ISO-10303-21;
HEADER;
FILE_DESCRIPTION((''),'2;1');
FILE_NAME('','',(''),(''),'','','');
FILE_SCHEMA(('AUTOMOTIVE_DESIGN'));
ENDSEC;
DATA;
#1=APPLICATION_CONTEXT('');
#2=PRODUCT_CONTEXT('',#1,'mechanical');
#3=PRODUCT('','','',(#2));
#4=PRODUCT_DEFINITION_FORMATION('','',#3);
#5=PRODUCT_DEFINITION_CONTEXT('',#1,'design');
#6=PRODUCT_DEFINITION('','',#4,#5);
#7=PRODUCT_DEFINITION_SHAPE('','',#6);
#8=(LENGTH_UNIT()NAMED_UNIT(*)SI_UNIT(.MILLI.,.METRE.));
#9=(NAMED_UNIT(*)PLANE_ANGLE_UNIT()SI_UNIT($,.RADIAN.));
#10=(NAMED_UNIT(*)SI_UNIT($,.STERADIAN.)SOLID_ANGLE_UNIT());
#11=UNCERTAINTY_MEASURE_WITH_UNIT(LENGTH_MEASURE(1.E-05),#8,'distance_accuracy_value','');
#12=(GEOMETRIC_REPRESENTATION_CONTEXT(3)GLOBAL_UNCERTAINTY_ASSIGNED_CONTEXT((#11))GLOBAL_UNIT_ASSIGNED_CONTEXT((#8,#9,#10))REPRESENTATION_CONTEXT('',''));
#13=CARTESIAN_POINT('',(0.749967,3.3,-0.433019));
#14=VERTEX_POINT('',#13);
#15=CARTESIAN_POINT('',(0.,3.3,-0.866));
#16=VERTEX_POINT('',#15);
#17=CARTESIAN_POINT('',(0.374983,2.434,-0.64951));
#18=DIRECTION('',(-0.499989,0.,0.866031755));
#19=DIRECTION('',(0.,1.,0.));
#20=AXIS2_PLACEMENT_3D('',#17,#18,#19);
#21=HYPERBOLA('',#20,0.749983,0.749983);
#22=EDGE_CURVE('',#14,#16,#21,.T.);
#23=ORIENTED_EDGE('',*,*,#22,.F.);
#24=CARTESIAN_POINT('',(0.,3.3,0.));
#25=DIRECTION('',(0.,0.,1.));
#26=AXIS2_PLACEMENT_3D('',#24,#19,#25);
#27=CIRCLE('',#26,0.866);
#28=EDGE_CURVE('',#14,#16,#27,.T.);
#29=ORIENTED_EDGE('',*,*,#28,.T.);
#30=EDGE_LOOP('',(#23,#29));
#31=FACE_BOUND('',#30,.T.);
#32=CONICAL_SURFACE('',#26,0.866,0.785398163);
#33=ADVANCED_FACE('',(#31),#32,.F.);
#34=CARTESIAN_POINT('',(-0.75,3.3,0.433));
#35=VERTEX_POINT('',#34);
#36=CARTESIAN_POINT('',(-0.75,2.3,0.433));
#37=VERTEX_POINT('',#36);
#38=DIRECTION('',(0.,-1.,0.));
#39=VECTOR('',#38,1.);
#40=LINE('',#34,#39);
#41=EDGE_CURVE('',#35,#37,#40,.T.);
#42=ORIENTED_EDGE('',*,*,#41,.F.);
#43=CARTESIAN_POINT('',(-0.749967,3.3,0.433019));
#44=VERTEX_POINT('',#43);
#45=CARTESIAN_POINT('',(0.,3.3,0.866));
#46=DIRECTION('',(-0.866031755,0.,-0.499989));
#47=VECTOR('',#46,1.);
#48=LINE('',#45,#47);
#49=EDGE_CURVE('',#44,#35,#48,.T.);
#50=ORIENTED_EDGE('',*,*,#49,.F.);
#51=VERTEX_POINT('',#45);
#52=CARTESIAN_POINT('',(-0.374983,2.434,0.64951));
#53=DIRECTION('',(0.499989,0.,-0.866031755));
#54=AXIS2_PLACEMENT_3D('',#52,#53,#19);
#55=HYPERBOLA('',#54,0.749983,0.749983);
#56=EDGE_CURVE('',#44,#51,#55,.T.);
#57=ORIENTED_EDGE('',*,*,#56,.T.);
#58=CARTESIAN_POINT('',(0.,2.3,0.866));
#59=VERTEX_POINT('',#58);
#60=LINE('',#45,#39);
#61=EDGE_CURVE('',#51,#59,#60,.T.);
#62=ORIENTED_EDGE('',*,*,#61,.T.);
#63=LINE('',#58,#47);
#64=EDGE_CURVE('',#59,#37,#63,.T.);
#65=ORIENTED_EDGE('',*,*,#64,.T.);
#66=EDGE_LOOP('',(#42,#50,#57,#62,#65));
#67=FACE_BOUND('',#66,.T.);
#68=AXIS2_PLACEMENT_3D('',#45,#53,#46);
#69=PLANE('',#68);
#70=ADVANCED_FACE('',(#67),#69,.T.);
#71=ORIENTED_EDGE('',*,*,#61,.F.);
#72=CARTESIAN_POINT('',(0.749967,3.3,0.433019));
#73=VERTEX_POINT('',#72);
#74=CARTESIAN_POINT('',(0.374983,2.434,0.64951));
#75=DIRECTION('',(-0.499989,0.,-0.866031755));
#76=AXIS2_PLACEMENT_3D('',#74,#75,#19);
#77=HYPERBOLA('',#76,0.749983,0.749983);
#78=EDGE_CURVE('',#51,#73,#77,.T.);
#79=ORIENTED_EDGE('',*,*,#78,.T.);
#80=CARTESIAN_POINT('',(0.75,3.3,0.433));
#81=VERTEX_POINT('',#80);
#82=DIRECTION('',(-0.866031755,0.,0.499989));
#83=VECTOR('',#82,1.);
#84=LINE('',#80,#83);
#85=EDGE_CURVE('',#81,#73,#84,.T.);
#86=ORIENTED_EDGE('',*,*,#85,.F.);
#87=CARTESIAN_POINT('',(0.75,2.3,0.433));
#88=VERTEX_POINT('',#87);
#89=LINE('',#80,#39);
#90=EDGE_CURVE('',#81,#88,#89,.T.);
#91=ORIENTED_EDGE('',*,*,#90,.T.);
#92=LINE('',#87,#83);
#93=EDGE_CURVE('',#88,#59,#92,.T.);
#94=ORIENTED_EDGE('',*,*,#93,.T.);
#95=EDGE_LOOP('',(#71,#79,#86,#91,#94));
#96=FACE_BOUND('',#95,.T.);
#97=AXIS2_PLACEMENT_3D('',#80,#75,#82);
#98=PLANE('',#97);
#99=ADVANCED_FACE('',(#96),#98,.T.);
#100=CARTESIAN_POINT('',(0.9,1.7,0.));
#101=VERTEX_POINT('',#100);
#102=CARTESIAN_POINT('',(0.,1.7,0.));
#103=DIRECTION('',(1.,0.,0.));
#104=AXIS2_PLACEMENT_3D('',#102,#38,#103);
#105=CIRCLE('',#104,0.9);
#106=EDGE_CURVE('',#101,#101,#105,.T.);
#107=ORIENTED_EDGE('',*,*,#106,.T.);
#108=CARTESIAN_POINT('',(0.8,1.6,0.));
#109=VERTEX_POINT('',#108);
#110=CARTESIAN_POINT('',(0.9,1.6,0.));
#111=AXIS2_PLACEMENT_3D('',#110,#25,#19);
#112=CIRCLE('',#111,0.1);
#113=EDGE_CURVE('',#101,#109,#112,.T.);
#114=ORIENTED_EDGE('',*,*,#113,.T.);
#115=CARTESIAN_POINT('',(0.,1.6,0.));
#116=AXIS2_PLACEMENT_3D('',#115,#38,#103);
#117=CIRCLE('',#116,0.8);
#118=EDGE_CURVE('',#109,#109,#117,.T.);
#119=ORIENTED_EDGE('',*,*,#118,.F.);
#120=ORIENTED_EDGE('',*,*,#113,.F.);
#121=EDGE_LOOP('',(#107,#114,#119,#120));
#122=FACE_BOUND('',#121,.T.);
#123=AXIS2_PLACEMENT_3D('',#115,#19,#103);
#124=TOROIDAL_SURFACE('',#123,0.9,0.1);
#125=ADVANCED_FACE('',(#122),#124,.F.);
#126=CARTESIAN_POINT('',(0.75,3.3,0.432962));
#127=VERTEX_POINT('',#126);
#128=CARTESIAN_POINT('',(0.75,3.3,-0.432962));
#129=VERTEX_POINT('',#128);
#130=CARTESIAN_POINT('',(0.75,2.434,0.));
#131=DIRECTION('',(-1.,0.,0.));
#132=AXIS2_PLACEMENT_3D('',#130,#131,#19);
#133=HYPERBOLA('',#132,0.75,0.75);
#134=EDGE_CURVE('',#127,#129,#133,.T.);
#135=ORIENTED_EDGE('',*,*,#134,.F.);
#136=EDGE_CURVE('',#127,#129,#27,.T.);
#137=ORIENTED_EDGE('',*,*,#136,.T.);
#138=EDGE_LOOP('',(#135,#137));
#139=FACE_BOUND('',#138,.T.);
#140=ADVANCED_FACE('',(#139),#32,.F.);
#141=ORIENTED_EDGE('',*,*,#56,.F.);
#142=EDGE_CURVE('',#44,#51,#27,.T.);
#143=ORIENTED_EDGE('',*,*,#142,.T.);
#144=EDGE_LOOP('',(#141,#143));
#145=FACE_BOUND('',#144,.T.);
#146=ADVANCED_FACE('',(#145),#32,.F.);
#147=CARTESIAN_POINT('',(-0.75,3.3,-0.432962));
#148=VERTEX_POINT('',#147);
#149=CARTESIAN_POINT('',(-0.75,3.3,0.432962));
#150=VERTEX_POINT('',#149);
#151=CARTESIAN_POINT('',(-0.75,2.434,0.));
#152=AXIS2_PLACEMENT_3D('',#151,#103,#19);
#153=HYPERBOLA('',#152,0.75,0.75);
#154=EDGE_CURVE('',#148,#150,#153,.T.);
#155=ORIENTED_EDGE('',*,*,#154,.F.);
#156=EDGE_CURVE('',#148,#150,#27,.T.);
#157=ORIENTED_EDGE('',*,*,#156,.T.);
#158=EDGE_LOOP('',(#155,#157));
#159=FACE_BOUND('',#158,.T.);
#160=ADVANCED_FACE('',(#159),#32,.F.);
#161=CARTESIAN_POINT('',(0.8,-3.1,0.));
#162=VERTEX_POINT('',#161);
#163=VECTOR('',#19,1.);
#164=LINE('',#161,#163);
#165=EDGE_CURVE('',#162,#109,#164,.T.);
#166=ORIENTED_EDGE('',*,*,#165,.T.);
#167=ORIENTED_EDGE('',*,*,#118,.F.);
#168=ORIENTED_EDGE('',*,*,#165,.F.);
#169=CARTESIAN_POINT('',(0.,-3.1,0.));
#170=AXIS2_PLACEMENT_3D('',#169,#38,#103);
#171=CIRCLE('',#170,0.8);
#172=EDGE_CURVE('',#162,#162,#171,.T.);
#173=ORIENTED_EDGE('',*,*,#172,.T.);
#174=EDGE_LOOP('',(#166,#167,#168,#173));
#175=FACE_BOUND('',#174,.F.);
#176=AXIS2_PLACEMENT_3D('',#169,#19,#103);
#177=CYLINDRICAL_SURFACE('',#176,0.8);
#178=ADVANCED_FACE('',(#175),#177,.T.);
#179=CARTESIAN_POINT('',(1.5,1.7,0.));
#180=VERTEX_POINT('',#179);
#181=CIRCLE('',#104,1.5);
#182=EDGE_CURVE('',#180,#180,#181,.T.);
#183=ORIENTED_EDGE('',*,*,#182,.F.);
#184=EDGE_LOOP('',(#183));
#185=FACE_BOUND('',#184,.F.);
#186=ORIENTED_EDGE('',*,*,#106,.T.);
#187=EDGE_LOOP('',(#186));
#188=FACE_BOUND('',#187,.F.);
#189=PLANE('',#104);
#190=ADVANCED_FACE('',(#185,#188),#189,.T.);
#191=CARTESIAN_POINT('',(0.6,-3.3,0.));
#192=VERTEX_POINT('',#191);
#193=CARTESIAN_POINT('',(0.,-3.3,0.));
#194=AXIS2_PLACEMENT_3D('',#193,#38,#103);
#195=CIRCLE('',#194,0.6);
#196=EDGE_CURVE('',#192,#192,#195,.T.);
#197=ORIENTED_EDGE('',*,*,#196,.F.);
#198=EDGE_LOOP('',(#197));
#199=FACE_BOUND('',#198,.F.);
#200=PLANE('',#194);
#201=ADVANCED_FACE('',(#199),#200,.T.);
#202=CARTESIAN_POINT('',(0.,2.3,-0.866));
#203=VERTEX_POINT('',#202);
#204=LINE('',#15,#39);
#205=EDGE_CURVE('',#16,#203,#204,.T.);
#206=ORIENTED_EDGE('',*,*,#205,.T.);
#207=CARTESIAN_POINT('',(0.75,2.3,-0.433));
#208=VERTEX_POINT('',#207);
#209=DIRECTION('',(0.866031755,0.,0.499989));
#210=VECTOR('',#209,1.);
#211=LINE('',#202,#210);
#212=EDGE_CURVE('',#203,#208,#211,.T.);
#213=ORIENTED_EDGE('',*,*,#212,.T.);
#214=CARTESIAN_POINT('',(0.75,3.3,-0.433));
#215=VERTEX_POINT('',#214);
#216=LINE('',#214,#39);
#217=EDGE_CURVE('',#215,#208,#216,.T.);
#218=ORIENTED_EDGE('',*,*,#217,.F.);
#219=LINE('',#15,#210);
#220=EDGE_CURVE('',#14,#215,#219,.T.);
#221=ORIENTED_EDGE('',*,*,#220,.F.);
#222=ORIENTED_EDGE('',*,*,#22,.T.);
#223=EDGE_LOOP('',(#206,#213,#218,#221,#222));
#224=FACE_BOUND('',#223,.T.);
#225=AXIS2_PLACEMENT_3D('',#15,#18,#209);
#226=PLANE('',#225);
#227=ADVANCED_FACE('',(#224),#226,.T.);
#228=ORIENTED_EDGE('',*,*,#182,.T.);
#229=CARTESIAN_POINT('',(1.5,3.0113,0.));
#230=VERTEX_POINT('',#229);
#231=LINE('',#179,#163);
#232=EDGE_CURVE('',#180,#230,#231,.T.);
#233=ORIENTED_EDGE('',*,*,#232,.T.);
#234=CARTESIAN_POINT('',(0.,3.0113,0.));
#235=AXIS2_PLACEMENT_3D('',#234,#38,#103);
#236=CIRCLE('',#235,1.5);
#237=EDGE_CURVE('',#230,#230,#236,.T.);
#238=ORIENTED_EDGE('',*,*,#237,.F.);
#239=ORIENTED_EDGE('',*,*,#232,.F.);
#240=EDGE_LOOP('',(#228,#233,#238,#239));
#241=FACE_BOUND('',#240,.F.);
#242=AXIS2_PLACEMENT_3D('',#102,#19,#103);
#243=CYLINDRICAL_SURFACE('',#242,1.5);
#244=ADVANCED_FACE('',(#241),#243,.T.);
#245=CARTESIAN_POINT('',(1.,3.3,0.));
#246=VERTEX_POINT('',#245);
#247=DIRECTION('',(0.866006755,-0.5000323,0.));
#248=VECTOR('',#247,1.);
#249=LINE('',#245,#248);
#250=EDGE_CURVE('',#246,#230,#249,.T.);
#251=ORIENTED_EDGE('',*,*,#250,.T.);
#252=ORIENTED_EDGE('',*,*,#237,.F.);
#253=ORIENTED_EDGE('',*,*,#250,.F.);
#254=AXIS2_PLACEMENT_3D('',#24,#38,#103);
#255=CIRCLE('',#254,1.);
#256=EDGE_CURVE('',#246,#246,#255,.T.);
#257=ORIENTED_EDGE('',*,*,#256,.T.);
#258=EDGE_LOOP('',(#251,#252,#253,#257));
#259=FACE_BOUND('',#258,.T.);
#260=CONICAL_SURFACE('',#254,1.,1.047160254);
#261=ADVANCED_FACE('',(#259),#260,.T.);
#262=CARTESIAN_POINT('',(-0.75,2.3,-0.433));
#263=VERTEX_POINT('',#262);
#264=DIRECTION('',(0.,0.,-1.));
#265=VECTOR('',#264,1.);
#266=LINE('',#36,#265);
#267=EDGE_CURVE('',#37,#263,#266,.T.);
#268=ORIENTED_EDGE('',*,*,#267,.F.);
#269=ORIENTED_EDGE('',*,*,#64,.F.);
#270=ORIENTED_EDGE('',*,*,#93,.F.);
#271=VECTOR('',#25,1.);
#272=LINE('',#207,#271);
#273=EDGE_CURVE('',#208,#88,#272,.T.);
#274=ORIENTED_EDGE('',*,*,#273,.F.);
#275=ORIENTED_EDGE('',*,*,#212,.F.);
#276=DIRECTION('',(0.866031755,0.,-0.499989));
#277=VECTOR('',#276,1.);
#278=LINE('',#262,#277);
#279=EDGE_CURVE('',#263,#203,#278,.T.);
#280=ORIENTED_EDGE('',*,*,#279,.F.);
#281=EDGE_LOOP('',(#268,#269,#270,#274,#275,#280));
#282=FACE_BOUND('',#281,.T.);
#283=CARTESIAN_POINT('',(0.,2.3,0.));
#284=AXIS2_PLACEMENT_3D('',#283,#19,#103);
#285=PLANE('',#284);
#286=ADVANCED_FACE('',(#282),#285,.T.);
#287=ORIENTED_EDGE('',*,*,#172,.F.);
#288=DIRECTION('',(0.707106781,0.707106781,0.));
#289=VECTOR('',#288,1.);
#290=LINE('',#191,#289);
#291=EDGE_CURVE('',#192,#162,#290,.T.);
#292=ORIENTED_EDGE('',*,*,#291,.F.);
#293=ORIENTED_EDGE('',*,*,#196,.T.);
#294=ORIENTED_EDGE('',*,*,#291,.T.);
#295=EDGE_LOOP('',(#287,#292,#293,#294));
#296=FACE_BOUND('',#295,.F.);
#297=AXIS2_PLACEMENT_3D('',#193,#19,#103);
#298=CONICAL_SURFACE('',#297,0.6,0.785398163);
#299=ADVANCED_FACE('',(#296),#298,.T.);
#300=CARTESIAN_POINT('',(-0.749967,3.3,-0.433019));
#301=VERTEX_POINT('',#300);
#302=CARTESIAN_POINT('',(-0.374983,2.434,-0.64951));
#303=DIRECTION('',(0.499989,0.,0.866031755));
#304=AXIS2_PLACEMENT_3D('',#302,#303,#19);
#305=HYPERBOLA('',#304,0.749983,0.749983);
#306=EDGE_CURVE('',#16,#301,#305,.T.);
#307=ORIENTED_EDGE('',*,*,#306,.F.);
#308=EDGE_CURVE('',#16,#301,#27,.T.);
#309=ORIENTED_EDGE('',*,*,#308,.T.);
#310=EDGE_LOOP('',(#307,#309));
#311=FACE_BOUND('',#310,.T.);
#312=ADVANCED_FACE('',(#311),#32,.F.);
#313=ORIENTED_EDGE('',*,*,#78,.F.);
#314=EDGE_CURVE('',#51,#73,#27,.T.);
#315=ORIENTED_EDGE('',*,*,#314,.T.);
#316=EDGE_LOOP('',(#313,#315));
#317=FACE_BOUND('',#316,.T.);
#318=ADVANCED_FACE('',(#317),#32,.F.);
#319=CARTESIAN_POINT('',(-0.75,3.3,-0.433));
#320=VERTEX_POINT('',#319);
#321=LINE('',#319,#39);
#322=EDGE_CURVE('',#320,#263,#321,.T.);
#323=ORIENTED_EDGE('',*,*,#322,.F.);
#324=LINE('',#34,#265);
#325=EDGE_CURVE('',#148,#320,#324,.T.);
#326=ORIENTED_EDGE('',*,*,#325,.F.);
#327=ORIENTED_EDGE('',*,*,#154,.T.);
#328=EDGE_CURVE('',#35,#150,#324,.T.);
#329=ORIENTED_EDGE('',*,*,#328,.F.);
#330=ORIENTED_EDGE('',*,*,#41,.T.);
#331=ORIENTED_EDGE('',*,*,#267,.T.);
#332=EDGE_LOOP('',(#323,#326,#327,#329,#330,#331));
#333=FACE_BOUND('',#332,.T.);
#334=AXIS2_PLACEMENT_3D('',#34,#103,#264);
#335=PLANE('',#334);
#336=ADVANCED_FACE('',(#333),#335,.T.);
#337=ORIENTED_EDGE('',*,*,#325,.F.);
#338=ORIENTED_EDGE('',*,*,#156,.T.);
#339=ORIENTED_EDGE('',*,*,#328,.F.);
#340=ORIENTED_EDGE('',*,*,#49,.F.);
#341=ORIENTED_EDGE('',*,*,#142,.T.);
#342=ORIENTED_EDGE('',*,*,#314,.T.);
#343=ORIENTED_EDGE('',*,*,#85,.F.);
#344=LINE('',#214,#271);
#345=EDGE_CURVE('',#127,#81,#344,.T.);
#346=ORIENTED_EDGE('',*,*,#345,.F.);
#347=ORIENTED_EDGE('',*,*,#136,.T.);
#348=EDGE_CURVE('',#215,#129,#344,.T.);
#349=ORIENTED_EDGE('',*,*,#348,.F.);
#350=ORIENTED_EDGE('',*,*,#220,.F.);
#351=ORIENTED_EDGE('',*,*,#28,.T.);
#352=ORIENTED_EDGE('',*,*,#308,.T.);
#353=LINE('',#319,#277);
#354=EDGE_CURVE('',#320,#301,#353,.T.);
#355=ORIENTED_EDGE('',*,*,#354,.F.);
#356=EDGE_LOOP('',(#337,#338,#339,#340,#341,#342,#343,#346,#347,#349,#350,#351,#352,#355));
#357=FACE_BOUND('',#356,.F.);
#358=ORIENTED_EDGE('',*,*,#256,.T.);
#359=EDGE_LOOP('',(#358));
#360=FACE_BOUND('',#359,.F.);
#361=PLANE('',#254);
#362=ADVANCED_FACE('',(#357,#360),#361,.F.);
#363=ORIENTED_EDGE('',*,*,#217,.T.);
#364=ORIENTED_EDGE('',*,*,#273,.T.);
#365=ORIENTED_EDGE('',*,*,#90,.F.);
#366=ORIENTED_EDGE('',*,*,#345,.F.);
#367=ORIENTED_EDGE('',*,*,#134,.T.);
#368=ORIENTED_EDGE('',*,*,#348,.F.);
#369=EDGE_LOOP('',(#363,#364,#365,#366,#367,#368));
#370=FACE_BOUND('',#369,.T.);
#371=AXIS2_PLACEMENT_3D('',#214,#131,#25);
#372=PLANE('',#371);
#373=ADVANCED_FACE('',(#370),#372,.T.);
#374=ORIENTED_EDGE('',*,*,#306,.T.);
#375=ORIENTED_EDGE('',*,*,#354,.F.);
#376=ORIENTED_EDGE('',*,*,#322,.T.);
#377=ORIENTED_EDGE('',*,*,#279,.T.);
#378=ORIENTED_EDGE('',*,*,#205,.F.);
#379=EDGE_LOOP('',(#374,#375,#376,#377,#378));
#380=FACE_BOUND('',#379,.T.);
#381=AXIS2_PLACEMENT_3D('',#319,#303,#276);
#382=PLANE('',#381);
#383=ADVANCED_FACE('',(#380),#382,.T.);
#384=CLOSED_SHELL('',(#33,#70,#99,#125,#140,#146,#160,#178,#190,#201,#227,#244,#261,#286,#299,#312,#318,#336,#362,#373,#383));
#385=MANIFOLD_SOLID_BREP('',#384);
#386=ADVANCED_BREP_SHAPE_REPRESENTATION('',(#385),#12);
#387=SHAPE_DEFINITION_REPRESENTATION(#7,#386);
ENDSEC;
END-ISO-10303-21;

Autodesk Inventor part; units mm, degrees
ref_plane "YZ Plane" through (0, 0, 0) normal (1, 0, 0) x (0, 1, 0)
ref_plane "XZ Plane" through (0, 0, 0) normal (0, 1, 0) x (-1, 0, 0)
ref_plane "XY Plane" through (0, 0, 0) normal (0, 0, 1) x (1, 0, 0)
sketch "Sketch1" plane through (0, 0, 0) normal (0, 0, 1) x (1, 0, 0)
  line L0 (0, 3.3) -> (0, -3.3)
  line L1 (0, -3.3) -> (0.6, -3.3)
  line L2 (0.6, -3.3) -> (0.8, -3.1)
  line L3 (0.8, -3.1) -> (0.8, 1.6)
  line L4 (0.9, 1.7) -> (1.5, 1.7)
  line L5 (1.5, 1.7) -> (1.5, 3.0113)
  line L6 (1, 3.3) -> (0, 3.3)
  arc A0 (0.9, 1.7) -> (0.8, 1.6) centre (0.9, 1.6) ccw
  line L7 (1, 3.3) -> (1.5, 3.0113)
  point P0 (0, 0)
  point P1 (1.5, 3.3)
  point P2 (0, 0)
  dimension "d0" = 3
  dimension "d1" = 1.6
  dimension "d3" = 1.6
  dimension "d4" = 1.8
  dimension "d5" = 135
  dimension "d6" = 0.2
  dimension "d7" = 5
  dimension "d9" = 0.5
  dimension "d10" = 30
revolve "Revolution1" add sketch "Sketch1" angle 360 about axis through (0, 3.3, 0) along (0, -1, 0)
sketch "Sketch2" plane through (0, 3.3, 0) normal (0, 1, 0) x (1, 0, 0)
  line L0 (0, -0.866) -> (-0.75, -0.433)
  line L1 (-0.75, -0.433) -> (-0.75, 0.433)
  line L2 (-0.75, 0.433) -> (0, 0.866)
  line L3 (0, 0.866) -> (0.75, 0.433)
  line L4 (0.75, 0.433) -> (0.75, -0.433)
  line L5 (0.75, -0.433) -> (0, -0.866)
  point P0 (0, 0)
  point P1 (0, 0)
  dimension "d11" = 1.5
extrude "Extrusion1" cut sketch "Sketch2" against normal blind 1
thread "Thread1" size "M1.6x0.35" class "6g" standard "ANSI Metric M Profile" full length
sketch "Sketch3" plane through (0, 0, 0) normal (1, 0, 0) x (0, 1, 0)
  line L0 (3.3, 0.866) -> (2.8, 0.366)
  line L1 (2.8, 0.366) -> (3.3, 0.366)
  line L2 (3.3, 0.866) -> (3.3, 0.366)
  line L3 (-0.66, 0) -> (3.96, 0) projected
  point P0 (0, 0)
  dimension "d16" = 0.5
revolve "Revolution2" cut sketch "Sketch3" angle 360 about axis through (0, -10, 0) along (0, 1, 0)
properties part number "Bolt_M1.6x0.35_5mm_SH" material "Stainless Steel"
